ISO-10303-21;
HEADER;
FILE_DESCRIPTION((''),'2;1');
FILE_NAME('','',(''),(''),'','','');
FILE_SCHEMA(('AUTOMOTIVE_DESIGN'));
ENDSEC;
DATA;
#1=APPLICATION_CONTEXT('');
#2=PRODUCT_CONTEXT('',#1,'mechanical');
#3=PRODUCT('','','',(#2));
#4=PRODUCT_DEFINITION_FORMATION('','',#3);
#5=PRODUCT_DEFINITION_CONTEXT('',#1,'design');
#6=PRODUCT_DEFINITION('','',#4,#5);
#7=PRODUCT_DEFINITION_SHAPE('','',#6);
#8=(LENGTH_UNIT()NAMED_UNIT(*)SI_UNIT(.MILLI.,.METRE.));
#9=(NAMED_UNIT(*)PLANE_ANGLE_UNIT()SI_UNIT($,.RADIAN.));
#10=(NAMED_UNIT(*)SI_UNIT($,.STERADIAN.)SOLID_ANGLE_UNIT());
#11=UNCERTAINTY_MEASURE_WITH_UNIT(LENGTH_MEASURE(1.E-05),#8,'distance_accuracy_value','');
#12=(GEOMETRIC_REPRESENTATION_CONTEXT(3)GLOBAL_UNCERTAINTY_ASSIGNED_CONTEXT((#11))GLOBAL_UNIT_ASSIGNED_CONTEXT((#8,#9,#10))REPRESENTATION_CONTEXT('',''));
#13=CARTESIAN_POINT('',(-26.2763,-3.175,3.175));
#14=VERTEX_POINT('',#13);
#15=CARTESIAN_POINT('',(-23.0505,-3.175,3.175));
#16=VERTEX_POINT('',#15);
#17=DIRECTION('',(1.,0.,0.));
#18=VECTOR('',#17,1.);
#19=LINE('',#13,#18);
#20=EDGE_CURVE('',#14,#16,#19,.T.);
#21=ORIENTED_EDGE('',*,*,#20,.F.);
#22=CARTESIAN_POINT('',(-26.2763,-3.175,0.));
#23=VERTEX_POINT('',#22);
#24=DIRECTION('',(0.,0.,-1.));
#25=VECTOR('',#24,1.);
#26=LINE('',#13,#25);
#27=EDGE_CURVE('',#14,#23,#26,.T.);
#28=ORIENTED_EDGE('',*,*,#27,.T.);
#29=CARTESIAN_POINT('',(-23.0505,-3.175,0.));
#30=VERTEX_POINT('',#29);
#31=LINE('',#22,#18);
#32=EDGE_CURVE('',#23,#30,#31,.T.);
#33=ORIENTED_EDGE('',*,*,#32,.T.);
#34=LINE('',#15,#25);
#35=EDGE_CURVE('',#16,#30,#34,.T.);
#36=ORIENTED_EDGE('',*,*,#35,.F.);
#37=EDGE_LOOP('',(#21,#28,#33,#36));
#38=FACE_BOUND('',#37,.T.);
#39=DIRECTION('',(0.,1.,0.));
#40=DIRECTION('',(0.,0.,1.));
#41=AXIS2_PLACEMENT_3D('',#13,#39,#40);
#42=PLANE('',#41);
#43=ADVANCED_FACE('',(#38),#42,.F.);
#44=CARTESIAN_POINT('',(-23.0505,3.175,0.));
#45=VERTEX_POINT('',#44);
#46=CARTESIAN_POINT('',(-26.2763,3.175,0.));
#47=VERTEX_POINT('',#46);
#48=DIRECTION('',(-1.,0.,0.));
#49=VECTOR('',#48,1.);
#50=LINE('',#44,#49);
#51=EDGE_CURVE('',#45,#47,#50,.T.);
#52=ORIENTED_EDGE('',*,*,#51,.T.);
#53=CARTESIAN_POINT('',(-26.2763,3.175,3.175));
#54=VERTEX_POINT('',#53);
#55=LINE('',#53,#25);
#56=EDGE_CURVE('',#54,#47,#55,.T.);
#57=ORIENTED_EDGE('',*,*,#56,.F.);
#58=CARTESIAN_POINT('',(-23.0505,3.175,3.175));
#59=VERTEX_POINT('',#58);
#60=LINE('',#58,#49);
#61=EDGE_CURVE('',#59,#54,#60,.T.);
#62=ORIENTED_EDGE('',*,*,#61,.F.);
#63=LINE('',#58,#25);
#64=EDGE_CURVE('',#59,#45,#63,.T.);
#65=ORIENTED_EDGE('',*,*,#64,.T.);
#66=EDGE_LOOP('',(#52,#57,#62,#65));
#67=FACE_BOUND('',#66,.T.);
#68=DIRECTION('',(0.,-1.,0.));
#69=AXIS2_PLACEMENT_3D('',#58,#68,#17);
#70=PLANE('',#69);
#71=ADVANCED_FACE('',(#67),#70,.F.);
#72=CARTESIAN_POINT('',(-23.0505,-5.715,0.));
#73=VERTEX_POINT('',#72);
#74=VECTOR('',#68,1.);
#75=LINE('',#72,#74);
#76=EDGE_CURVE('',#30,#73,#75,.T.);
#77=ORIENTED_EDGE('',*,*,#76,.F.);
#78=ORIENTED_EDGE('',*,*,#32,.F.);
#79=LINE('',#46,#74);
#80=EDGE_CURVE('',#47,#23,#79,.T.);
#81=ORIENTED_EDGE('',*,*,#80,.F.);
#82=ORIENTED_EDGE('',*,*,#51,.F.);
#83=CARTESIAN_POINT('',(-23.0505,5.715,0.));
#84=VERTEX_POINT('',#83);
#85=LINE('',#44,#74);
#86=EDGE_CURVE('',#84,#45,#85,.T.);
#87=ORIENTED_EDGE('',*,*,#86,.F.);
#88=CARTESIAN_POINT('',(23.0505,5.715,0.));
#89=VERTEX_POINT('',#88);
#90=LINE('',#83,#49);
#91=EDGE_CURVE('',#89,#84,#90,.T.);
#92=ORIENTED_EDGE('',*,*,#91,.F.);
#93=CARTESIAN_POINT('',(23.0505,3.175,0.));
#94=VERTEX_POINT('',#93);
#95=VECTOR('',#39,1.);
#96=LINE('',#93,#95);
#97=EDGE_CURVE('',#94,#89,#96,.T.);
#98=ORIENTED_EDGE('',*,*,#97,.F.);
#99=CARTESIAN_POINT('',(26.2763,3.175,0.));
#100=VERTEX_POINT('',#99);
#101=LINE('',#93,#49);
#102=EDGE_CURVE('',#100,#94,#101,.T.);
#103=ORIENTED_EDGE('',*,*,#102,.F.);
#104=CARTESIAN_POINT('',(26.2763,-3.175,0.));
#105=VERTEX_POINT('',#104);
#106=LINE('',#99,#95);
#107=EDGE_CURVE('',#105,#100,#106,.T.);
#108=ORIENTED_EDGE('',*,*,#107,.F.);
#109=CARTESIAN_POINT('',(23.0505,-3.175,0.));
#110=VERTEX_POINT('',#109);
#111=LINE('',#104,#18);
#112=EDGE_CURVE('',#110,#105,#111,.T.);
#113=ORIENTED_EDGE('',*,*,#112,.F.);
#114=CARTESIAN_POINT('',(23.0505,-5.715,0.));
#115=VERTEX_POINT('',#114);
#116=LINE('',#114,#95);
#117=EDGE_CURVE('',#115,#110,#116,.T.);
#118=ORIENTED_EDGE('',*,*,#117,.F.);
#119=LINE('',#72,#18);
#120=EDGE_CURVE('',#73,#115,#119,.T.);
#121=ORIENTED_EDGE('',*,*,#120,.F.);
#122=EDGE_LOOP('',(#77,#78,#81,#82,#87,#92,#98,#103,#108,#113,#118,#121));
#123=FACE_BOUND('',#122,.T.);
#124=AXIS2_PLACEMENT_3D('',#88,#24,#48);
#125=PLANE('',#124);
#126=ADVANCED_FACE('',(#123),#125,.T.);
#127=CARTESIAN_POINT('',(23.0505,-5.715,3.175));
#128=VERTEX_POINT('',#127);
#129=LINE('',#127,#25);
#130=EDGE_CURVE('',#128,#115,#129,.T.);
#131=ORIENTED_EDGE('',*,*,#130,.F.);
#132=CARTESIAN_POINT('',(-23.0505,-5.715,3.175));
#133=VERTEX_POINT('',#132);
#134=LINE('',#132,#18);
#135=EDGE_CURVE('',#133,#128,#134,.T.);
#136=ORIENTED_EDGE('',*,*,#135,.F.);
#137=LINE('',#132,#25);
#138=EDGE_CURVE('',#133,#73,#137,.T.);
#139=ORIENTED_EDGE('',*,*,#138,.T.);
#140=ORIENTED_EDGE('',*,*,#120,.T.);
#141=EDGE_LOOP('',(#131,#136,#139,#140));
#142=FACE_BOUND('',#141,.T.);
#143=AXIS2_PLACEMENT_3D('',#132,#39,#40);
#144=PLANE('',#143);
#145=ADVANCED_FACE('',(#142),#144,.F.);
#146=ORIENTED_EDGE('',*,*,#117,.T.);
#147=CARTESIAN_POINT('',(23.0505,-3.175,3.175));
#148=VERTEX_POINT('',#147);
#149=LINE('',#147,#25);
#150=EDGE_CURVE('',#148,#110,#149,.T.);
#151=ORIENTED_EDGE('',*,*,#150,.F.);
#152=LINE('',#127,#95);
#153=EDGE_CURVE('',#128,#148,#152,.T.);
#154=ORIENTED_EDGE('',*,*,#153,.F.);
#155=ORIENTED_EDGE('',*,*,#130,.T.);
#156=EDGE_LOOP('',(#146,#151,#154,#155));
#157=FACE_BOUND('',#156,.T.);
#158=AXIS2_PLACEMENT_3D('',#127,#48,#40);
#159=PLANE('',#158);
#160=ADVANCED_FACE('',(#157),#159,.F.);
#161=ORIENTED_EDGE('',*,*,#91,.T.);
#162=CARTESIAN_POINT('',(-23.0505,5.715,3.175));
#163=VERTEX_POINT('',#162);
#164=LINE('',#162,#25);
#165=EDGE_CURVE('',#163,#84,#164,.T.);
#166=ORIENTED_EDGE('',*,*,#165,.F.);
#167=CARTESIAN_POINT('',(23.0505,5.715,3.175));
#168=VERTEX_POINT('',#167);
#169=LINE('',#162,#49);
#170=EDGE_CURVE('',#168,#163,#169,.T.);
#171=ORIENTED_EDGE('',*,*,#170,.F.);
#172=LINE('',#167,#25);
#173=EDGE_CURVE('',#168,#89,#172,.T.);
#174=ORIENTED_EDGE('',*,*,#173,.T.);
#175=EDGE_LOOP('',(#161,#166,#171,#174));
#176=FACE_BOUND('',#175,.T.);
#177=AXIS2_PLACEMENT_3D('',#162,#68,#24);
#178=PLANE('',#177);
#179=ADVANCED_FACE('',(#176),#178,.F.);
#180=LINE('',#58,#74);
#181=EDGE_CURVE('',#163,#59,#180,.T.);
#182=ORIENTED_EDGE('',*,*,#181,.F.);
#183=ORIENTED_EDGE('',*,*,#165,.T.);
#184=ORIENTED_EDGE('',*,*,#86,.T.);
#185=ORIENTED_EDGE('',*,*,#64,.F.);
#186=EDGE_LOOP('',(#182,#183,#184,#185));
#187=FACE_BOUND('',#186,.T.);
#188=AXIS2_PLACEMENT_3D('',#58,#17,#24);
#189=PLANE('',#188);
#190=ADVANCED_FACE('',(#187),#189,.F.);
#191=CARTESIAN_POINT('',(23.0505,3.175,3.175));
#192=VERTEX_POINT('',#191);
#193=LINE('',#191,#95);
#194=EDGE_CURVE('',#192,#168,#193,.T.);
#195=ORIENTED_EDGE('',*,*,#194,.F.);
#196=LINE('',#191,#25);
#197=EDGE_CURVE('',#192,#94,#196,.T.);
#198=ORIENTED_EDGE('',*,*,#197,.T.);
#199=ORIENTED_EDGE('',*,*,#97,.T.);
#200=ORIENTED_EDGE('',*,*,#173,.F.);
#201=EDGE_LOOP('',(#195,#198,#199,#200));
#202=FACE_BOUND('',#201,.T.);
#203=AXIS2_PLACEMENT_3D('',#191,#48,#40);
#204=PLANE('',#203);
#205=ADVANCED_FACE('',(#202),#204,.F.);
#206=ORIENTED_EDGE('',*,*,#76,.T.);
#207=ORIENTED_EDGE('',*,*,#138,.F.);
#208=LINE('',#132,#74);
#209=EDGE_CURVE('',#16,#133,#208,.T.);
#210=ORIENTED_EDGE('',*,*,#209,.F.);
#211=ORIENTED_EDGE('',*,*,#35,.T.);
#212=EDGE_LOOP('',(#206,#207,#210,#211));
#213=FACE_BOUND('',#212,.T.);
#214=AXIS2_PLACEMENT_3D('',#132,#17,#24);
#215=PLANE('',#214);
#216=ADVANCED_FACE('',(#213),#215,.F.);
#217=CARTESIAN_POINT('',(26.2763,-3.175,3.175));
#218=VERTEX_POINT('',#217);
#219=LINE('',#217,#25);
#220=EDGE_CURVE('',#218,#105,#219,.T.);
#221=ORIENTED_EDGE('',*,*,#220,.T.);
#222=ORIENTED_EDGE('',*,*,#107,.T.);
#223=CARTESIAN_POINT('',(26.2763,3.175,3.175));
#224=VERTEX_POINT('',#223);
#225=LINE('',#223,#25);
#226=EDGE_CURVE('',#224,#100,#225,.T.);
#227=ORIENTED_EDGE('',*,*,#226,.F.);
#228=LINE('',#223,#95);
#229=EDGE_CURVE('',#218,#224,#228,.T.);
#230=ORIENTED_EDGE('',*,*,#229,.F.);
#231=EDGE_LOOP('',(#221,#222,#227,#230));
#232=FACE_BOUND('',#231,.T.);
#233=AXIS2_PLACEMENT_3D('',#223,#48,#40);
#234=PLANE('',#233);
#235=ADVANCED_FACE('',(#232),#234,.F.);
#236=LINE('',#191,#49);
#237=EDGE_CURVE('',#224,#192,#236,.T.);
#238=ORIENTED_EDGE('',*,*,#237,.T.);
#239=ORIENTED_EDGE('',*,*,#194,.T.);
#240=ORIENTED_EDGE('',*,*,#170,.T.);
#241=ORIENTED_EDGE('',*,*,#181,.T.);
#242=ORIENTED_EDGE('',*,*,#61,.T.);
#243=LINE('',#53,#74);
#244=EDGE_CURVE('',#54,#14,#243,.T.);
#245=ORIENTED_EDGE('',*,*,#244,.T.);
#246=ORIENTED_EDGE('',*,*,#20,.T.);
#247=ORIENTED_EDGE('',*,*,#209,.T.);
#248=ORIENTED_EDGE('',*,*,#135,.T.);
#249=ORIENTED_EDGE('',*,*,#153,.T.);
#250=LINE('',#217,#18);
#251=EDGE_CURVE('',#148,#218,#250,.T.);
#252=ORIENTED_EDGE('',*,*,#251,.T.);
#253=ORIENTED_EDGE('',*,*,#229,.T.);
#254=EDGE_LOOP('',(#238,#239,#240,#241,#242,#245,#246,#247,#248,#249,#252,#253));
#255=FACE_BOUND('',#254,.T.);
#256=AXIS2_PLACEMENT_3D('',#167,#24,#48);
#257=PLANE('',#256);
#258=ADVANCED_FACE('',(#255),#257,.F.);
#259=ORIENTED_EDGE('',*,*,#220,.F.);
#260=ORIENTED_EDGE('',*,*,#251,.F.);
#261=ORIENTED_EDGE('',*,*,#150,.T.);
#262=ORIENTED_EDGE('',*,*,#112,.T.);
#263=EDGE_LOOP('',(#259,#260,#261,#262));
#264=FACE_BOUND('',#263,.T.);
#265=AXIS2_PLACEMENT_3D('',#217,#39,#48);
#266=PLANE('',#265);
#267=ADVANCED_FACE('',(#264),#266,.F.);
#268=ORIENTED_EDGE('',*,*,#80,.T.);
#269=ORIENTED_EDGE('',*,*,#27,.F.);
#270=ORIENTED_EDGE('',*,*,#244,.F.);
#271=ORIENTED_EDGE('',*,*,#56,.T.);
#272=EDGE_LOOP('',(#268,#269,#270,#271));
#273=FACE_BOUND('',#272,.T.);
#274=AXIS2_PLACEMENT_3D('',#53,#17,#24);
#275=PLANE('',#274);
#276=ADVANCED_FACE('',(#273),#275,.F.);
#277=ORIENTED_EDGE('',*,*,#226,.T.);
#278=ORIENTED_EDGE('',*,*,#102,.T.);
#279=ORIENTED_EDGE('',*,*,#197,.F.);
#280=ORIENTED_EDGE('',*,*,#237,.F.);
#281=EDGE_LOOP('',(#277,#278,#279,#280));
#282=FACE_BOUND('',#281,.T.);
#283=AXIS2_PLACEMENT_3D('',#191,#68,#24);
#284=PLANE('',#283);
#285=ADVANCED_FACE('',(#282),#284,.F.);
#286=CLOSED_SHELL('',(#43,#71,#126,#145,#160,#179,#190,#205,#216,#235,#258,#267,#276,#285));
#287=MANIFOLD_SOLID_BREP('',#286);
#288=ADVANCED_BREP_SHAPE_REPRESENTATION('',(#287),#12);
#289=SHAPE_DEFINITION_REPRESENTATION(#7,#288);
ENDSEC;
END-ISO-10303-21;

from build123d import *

# Parameters (mm, degrees)
BOSS_EXTRUDE1_DEPTH = 3.175


with BuildPart() as part:
    # Sketch1 → Boss-Extrude1 (new body)
    with BuildSketch(Plane.XY):
        Polygon((-23.0505, 3.175), (-26.2763, 3.175), (-26.2763, -3.175), (-23.0505, -3.175), (-23.0505, -5.715), (23.0505, -5.715), (23.0505, -3.175), (26.2763, -3.175), (26.2763, 3.175), (23.0505, 3.175), (23.0505, 5.715), (-23.0505, 5.715), align=None)
    extrude(amount=BOSS_EXTRUDE1_DEPTH)


solid = part.part
